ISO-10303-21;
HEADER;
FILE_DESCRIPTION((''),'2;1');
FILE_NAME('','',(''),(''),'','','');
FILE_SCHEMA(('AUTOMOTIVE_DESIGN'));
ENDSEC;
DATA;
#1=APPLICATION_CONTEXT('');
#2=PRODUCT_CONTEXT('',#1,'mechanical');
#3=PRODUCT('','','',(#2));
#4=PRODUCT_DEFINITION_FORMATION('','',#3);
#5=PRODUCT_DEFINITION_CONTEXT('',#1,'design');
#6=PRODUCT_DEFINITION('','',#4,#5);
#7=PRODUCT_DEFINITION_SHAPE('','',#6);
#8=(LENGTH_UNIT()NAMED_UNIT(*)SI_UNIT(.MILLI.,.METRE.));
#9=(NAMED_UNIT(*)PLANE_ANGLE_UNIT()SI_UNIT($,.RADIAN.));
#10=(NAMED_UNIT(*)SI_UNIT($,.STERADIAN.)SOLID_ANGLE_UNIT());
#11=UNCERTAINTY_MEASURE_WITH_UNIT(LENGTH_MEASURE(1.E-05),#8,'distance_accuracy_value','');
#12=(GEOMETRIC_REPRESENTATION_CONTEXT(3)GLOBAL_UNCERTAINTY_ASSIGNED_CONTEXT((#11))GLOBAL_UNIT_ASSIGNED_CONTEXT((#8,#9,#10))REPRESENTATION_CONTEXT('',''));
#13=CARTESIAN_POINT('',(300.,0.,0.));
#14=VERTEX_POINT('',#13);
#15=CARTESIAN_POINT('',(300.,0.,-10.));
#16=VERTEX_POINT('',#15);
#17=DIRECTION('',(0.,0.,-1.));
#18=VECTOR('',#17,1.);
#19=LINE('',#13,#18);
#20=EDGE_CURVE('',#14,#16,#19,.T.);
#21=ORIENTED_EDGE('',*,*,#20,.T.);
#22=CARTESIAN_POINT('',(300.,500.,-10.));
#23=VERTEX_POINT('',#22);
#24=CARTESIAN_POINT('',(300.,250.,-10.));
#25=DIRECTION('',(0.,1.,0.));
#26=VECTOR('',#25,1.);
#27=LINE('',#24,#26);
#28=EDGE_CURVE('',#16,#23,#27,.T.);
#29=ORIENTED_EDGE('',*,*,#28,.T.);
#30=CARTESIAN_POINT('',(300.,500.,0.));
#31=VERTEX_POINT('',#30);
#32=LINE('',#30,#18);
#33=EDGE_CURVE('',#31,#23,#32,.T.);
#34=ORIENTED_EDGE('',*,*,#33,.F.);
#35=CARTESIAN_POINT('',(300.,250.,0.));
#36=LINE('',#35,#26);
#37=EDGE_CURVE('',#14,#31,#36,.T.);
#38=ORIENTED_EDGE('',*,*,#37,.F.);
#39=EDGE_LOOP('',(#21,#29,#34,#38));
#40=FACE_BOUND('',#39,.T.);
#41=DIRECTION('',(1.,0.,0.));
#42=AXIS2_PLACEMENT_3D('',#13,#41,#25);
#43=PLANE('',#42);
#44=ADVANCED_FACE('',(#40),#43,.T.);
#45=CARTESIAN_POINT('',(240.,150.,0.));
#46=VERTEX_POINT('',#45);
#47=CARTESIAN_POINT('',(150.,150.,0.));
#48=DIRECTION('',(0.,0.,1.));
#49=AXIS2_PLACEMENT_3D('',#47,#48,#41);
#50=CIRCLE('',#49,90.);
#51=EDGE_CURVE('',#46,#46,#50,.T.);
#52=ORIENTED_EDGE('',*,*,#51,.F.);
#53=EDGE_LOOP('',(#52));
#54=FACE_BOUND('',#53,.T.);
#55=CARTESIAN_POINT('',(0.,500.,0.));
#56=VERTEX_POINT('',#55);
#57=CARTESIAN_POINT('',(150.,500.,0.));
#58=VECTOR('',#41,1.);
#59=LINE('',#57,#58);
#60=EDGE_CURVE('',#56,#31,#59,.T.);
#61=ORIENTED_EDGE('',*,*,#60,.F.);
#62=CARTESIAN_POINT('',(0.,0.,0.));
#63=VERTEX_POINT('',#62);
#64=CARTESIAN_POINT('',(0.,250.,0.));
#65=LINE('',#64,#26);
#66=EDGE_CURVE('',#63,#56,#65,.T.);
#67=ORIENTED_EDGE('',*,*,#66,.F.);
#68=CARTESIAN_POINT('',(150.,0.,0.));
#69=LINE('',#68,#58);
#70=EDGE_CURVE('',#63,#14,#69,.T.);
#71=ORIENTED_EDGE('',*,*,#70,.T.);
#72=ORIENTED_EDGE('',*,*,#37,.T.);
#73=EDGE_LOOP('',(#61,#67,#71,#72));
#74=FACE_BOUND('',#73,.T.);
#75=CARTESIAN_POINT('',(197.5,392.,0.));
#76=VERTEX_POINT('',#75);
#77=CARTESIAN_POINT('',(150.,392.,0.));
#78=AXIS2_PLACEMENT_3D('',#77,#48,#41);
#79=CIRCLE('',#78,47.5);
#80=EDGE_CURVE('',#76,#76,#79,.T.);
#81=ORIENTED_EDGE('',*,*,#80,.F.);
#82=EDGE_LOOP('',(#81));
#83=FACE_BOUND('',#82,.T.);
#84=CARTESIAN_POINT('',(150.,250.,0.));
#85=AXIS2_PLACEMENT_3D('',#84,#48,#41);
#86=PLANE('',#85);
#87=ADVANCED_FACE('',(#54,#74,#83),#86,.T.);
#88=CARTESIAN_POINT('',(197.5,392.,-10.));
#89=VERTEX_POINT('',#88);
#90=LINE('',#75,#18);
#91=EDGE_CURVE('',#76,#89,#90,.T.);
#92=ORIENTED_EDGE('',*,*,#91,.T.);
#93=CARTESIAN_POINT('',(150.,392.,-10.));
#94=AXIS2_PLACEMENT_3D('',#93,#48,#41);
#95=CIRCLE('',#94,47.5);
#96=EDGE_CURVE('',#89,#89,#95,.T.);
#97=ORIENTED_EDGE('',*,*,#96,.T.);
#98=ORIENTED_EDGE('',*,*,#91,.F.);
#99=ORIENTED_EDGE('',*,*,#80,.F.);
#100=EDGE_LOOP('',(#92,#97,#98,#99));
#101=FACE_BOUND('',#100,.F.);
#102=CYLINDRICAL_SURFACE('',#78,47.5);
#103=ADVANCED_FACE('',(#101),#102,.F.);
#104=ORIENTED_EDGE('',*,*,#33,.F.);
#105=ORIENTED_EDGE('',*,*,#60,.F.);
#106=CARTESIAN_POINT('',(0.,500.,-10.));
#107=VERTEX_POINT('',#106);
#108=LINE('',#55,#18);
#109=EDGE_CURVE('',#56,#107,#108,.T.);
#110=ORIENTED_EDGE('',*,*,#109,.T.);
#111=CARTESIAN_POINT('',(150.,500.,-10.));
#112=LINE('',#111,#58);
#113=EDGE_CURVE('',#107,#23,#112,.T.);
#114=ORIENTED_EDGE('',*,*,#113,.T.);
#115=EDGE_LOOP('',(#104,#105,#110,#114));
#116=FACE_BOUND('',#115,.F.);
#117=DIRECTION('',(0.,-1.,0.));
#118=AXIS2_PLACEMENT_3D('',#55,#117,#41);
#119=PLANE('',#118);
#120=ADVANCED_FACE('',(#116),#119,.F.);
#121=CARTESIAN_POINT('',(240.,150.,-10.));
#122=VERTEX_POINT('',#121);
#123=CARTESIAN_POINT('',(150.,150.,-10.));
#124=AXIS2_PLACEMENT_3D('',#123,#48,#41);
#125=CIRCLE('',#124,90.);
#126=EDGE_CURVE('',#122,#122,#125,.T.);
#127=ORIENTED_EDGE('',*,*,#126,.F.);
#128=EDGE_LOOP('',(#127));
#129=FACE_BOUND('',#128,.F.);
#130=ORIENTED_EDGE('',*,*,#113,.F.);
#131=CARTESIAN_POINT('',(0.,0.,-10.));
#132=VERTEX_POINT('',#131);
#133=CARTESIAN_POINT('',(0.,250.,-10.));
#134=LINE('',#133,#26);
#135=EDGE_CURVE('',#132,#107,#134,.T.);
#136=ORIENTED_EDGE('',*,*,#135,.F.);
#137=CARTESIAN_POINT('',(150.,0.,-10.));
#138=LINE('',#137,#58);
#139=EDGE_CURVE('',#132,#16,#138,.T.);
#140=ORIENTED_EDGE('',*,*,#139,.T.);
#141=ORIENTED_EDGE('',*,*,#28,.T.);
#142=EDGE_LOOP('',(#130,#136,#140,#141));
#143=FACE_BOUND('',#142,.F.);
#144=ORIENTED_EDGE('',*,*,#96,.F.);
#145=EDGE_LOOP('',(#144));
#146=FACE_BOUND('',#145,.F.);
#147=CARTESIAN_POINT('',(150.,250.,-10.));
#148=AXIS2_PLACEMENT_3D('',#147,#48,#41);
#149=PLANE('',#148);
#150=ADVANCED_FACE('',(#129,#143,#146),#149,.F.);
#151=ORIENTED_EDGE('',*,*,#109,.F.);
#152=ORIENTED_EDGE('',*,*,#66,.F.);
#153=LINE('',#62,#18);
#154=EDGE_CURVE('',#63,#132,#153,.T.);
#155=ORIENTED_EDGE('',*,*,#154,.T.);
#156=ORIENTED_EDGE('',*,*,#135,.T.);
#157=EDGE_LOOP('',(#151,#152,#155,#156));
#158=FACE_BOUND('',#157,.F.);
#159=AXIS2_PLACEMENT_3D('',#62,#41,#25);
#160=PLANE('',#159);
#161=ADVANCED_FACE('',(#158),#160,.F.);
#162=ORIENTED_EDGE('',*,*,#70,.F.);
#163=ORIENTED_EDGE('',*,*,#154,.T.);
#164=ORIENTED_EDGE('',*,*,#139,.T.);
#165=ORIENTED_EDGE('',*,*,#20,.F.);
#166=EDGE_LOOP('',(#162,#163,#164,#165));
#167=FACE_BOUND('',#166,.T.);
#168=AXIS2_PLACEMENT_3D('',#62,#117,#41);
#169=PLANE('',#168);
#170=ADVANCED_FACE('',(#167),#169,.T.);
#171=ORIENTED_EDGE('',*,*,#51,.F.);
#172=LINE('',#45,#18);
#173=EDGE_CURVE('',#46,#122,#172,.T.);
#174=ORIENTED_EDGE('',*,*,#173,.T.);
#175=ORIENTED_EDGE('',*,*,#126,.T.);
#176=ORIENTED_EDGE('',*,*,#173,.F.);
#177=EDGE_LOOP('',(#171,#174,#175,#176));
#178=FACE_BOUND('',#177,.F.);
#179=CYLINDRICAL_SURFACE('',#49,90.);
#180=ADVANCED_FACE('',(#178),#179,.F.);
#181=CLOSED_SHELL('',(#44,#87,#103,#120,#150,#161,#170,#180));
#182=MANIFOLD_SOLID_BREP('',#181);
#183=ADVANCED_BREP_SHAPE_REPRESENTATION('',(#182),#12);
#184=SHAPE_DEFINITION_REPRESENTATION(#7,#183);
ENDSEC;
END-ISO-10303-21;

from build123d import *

# Parameters (mm, degrees)
SKETCH1_W      = 300
SKETCH1_H      = 500
SKETCH1_R      = 90
SKETCH1_R_2    = 47.5
EXTRUDE1_DEPTH = 10


with BuildPart() as part:
    # Sketch1 → Extrude1 (new body)
    with BuildSketch(Plane.XY):
        with Locations((150, 250)):
            Rectangle(SKETCH1_W, SKETCH1_H)
        with Locations((150, 150)):
            Circle(SKETCH1_R, mode=Mode.SUBTRACT)
        with Locations((150, 392)):
            Circle(SKETCH1_R_2, mode=Mode.SUBTRACT)
    extrude(amount=-EXTRUDE1_DEPTH)


solid = part.part
